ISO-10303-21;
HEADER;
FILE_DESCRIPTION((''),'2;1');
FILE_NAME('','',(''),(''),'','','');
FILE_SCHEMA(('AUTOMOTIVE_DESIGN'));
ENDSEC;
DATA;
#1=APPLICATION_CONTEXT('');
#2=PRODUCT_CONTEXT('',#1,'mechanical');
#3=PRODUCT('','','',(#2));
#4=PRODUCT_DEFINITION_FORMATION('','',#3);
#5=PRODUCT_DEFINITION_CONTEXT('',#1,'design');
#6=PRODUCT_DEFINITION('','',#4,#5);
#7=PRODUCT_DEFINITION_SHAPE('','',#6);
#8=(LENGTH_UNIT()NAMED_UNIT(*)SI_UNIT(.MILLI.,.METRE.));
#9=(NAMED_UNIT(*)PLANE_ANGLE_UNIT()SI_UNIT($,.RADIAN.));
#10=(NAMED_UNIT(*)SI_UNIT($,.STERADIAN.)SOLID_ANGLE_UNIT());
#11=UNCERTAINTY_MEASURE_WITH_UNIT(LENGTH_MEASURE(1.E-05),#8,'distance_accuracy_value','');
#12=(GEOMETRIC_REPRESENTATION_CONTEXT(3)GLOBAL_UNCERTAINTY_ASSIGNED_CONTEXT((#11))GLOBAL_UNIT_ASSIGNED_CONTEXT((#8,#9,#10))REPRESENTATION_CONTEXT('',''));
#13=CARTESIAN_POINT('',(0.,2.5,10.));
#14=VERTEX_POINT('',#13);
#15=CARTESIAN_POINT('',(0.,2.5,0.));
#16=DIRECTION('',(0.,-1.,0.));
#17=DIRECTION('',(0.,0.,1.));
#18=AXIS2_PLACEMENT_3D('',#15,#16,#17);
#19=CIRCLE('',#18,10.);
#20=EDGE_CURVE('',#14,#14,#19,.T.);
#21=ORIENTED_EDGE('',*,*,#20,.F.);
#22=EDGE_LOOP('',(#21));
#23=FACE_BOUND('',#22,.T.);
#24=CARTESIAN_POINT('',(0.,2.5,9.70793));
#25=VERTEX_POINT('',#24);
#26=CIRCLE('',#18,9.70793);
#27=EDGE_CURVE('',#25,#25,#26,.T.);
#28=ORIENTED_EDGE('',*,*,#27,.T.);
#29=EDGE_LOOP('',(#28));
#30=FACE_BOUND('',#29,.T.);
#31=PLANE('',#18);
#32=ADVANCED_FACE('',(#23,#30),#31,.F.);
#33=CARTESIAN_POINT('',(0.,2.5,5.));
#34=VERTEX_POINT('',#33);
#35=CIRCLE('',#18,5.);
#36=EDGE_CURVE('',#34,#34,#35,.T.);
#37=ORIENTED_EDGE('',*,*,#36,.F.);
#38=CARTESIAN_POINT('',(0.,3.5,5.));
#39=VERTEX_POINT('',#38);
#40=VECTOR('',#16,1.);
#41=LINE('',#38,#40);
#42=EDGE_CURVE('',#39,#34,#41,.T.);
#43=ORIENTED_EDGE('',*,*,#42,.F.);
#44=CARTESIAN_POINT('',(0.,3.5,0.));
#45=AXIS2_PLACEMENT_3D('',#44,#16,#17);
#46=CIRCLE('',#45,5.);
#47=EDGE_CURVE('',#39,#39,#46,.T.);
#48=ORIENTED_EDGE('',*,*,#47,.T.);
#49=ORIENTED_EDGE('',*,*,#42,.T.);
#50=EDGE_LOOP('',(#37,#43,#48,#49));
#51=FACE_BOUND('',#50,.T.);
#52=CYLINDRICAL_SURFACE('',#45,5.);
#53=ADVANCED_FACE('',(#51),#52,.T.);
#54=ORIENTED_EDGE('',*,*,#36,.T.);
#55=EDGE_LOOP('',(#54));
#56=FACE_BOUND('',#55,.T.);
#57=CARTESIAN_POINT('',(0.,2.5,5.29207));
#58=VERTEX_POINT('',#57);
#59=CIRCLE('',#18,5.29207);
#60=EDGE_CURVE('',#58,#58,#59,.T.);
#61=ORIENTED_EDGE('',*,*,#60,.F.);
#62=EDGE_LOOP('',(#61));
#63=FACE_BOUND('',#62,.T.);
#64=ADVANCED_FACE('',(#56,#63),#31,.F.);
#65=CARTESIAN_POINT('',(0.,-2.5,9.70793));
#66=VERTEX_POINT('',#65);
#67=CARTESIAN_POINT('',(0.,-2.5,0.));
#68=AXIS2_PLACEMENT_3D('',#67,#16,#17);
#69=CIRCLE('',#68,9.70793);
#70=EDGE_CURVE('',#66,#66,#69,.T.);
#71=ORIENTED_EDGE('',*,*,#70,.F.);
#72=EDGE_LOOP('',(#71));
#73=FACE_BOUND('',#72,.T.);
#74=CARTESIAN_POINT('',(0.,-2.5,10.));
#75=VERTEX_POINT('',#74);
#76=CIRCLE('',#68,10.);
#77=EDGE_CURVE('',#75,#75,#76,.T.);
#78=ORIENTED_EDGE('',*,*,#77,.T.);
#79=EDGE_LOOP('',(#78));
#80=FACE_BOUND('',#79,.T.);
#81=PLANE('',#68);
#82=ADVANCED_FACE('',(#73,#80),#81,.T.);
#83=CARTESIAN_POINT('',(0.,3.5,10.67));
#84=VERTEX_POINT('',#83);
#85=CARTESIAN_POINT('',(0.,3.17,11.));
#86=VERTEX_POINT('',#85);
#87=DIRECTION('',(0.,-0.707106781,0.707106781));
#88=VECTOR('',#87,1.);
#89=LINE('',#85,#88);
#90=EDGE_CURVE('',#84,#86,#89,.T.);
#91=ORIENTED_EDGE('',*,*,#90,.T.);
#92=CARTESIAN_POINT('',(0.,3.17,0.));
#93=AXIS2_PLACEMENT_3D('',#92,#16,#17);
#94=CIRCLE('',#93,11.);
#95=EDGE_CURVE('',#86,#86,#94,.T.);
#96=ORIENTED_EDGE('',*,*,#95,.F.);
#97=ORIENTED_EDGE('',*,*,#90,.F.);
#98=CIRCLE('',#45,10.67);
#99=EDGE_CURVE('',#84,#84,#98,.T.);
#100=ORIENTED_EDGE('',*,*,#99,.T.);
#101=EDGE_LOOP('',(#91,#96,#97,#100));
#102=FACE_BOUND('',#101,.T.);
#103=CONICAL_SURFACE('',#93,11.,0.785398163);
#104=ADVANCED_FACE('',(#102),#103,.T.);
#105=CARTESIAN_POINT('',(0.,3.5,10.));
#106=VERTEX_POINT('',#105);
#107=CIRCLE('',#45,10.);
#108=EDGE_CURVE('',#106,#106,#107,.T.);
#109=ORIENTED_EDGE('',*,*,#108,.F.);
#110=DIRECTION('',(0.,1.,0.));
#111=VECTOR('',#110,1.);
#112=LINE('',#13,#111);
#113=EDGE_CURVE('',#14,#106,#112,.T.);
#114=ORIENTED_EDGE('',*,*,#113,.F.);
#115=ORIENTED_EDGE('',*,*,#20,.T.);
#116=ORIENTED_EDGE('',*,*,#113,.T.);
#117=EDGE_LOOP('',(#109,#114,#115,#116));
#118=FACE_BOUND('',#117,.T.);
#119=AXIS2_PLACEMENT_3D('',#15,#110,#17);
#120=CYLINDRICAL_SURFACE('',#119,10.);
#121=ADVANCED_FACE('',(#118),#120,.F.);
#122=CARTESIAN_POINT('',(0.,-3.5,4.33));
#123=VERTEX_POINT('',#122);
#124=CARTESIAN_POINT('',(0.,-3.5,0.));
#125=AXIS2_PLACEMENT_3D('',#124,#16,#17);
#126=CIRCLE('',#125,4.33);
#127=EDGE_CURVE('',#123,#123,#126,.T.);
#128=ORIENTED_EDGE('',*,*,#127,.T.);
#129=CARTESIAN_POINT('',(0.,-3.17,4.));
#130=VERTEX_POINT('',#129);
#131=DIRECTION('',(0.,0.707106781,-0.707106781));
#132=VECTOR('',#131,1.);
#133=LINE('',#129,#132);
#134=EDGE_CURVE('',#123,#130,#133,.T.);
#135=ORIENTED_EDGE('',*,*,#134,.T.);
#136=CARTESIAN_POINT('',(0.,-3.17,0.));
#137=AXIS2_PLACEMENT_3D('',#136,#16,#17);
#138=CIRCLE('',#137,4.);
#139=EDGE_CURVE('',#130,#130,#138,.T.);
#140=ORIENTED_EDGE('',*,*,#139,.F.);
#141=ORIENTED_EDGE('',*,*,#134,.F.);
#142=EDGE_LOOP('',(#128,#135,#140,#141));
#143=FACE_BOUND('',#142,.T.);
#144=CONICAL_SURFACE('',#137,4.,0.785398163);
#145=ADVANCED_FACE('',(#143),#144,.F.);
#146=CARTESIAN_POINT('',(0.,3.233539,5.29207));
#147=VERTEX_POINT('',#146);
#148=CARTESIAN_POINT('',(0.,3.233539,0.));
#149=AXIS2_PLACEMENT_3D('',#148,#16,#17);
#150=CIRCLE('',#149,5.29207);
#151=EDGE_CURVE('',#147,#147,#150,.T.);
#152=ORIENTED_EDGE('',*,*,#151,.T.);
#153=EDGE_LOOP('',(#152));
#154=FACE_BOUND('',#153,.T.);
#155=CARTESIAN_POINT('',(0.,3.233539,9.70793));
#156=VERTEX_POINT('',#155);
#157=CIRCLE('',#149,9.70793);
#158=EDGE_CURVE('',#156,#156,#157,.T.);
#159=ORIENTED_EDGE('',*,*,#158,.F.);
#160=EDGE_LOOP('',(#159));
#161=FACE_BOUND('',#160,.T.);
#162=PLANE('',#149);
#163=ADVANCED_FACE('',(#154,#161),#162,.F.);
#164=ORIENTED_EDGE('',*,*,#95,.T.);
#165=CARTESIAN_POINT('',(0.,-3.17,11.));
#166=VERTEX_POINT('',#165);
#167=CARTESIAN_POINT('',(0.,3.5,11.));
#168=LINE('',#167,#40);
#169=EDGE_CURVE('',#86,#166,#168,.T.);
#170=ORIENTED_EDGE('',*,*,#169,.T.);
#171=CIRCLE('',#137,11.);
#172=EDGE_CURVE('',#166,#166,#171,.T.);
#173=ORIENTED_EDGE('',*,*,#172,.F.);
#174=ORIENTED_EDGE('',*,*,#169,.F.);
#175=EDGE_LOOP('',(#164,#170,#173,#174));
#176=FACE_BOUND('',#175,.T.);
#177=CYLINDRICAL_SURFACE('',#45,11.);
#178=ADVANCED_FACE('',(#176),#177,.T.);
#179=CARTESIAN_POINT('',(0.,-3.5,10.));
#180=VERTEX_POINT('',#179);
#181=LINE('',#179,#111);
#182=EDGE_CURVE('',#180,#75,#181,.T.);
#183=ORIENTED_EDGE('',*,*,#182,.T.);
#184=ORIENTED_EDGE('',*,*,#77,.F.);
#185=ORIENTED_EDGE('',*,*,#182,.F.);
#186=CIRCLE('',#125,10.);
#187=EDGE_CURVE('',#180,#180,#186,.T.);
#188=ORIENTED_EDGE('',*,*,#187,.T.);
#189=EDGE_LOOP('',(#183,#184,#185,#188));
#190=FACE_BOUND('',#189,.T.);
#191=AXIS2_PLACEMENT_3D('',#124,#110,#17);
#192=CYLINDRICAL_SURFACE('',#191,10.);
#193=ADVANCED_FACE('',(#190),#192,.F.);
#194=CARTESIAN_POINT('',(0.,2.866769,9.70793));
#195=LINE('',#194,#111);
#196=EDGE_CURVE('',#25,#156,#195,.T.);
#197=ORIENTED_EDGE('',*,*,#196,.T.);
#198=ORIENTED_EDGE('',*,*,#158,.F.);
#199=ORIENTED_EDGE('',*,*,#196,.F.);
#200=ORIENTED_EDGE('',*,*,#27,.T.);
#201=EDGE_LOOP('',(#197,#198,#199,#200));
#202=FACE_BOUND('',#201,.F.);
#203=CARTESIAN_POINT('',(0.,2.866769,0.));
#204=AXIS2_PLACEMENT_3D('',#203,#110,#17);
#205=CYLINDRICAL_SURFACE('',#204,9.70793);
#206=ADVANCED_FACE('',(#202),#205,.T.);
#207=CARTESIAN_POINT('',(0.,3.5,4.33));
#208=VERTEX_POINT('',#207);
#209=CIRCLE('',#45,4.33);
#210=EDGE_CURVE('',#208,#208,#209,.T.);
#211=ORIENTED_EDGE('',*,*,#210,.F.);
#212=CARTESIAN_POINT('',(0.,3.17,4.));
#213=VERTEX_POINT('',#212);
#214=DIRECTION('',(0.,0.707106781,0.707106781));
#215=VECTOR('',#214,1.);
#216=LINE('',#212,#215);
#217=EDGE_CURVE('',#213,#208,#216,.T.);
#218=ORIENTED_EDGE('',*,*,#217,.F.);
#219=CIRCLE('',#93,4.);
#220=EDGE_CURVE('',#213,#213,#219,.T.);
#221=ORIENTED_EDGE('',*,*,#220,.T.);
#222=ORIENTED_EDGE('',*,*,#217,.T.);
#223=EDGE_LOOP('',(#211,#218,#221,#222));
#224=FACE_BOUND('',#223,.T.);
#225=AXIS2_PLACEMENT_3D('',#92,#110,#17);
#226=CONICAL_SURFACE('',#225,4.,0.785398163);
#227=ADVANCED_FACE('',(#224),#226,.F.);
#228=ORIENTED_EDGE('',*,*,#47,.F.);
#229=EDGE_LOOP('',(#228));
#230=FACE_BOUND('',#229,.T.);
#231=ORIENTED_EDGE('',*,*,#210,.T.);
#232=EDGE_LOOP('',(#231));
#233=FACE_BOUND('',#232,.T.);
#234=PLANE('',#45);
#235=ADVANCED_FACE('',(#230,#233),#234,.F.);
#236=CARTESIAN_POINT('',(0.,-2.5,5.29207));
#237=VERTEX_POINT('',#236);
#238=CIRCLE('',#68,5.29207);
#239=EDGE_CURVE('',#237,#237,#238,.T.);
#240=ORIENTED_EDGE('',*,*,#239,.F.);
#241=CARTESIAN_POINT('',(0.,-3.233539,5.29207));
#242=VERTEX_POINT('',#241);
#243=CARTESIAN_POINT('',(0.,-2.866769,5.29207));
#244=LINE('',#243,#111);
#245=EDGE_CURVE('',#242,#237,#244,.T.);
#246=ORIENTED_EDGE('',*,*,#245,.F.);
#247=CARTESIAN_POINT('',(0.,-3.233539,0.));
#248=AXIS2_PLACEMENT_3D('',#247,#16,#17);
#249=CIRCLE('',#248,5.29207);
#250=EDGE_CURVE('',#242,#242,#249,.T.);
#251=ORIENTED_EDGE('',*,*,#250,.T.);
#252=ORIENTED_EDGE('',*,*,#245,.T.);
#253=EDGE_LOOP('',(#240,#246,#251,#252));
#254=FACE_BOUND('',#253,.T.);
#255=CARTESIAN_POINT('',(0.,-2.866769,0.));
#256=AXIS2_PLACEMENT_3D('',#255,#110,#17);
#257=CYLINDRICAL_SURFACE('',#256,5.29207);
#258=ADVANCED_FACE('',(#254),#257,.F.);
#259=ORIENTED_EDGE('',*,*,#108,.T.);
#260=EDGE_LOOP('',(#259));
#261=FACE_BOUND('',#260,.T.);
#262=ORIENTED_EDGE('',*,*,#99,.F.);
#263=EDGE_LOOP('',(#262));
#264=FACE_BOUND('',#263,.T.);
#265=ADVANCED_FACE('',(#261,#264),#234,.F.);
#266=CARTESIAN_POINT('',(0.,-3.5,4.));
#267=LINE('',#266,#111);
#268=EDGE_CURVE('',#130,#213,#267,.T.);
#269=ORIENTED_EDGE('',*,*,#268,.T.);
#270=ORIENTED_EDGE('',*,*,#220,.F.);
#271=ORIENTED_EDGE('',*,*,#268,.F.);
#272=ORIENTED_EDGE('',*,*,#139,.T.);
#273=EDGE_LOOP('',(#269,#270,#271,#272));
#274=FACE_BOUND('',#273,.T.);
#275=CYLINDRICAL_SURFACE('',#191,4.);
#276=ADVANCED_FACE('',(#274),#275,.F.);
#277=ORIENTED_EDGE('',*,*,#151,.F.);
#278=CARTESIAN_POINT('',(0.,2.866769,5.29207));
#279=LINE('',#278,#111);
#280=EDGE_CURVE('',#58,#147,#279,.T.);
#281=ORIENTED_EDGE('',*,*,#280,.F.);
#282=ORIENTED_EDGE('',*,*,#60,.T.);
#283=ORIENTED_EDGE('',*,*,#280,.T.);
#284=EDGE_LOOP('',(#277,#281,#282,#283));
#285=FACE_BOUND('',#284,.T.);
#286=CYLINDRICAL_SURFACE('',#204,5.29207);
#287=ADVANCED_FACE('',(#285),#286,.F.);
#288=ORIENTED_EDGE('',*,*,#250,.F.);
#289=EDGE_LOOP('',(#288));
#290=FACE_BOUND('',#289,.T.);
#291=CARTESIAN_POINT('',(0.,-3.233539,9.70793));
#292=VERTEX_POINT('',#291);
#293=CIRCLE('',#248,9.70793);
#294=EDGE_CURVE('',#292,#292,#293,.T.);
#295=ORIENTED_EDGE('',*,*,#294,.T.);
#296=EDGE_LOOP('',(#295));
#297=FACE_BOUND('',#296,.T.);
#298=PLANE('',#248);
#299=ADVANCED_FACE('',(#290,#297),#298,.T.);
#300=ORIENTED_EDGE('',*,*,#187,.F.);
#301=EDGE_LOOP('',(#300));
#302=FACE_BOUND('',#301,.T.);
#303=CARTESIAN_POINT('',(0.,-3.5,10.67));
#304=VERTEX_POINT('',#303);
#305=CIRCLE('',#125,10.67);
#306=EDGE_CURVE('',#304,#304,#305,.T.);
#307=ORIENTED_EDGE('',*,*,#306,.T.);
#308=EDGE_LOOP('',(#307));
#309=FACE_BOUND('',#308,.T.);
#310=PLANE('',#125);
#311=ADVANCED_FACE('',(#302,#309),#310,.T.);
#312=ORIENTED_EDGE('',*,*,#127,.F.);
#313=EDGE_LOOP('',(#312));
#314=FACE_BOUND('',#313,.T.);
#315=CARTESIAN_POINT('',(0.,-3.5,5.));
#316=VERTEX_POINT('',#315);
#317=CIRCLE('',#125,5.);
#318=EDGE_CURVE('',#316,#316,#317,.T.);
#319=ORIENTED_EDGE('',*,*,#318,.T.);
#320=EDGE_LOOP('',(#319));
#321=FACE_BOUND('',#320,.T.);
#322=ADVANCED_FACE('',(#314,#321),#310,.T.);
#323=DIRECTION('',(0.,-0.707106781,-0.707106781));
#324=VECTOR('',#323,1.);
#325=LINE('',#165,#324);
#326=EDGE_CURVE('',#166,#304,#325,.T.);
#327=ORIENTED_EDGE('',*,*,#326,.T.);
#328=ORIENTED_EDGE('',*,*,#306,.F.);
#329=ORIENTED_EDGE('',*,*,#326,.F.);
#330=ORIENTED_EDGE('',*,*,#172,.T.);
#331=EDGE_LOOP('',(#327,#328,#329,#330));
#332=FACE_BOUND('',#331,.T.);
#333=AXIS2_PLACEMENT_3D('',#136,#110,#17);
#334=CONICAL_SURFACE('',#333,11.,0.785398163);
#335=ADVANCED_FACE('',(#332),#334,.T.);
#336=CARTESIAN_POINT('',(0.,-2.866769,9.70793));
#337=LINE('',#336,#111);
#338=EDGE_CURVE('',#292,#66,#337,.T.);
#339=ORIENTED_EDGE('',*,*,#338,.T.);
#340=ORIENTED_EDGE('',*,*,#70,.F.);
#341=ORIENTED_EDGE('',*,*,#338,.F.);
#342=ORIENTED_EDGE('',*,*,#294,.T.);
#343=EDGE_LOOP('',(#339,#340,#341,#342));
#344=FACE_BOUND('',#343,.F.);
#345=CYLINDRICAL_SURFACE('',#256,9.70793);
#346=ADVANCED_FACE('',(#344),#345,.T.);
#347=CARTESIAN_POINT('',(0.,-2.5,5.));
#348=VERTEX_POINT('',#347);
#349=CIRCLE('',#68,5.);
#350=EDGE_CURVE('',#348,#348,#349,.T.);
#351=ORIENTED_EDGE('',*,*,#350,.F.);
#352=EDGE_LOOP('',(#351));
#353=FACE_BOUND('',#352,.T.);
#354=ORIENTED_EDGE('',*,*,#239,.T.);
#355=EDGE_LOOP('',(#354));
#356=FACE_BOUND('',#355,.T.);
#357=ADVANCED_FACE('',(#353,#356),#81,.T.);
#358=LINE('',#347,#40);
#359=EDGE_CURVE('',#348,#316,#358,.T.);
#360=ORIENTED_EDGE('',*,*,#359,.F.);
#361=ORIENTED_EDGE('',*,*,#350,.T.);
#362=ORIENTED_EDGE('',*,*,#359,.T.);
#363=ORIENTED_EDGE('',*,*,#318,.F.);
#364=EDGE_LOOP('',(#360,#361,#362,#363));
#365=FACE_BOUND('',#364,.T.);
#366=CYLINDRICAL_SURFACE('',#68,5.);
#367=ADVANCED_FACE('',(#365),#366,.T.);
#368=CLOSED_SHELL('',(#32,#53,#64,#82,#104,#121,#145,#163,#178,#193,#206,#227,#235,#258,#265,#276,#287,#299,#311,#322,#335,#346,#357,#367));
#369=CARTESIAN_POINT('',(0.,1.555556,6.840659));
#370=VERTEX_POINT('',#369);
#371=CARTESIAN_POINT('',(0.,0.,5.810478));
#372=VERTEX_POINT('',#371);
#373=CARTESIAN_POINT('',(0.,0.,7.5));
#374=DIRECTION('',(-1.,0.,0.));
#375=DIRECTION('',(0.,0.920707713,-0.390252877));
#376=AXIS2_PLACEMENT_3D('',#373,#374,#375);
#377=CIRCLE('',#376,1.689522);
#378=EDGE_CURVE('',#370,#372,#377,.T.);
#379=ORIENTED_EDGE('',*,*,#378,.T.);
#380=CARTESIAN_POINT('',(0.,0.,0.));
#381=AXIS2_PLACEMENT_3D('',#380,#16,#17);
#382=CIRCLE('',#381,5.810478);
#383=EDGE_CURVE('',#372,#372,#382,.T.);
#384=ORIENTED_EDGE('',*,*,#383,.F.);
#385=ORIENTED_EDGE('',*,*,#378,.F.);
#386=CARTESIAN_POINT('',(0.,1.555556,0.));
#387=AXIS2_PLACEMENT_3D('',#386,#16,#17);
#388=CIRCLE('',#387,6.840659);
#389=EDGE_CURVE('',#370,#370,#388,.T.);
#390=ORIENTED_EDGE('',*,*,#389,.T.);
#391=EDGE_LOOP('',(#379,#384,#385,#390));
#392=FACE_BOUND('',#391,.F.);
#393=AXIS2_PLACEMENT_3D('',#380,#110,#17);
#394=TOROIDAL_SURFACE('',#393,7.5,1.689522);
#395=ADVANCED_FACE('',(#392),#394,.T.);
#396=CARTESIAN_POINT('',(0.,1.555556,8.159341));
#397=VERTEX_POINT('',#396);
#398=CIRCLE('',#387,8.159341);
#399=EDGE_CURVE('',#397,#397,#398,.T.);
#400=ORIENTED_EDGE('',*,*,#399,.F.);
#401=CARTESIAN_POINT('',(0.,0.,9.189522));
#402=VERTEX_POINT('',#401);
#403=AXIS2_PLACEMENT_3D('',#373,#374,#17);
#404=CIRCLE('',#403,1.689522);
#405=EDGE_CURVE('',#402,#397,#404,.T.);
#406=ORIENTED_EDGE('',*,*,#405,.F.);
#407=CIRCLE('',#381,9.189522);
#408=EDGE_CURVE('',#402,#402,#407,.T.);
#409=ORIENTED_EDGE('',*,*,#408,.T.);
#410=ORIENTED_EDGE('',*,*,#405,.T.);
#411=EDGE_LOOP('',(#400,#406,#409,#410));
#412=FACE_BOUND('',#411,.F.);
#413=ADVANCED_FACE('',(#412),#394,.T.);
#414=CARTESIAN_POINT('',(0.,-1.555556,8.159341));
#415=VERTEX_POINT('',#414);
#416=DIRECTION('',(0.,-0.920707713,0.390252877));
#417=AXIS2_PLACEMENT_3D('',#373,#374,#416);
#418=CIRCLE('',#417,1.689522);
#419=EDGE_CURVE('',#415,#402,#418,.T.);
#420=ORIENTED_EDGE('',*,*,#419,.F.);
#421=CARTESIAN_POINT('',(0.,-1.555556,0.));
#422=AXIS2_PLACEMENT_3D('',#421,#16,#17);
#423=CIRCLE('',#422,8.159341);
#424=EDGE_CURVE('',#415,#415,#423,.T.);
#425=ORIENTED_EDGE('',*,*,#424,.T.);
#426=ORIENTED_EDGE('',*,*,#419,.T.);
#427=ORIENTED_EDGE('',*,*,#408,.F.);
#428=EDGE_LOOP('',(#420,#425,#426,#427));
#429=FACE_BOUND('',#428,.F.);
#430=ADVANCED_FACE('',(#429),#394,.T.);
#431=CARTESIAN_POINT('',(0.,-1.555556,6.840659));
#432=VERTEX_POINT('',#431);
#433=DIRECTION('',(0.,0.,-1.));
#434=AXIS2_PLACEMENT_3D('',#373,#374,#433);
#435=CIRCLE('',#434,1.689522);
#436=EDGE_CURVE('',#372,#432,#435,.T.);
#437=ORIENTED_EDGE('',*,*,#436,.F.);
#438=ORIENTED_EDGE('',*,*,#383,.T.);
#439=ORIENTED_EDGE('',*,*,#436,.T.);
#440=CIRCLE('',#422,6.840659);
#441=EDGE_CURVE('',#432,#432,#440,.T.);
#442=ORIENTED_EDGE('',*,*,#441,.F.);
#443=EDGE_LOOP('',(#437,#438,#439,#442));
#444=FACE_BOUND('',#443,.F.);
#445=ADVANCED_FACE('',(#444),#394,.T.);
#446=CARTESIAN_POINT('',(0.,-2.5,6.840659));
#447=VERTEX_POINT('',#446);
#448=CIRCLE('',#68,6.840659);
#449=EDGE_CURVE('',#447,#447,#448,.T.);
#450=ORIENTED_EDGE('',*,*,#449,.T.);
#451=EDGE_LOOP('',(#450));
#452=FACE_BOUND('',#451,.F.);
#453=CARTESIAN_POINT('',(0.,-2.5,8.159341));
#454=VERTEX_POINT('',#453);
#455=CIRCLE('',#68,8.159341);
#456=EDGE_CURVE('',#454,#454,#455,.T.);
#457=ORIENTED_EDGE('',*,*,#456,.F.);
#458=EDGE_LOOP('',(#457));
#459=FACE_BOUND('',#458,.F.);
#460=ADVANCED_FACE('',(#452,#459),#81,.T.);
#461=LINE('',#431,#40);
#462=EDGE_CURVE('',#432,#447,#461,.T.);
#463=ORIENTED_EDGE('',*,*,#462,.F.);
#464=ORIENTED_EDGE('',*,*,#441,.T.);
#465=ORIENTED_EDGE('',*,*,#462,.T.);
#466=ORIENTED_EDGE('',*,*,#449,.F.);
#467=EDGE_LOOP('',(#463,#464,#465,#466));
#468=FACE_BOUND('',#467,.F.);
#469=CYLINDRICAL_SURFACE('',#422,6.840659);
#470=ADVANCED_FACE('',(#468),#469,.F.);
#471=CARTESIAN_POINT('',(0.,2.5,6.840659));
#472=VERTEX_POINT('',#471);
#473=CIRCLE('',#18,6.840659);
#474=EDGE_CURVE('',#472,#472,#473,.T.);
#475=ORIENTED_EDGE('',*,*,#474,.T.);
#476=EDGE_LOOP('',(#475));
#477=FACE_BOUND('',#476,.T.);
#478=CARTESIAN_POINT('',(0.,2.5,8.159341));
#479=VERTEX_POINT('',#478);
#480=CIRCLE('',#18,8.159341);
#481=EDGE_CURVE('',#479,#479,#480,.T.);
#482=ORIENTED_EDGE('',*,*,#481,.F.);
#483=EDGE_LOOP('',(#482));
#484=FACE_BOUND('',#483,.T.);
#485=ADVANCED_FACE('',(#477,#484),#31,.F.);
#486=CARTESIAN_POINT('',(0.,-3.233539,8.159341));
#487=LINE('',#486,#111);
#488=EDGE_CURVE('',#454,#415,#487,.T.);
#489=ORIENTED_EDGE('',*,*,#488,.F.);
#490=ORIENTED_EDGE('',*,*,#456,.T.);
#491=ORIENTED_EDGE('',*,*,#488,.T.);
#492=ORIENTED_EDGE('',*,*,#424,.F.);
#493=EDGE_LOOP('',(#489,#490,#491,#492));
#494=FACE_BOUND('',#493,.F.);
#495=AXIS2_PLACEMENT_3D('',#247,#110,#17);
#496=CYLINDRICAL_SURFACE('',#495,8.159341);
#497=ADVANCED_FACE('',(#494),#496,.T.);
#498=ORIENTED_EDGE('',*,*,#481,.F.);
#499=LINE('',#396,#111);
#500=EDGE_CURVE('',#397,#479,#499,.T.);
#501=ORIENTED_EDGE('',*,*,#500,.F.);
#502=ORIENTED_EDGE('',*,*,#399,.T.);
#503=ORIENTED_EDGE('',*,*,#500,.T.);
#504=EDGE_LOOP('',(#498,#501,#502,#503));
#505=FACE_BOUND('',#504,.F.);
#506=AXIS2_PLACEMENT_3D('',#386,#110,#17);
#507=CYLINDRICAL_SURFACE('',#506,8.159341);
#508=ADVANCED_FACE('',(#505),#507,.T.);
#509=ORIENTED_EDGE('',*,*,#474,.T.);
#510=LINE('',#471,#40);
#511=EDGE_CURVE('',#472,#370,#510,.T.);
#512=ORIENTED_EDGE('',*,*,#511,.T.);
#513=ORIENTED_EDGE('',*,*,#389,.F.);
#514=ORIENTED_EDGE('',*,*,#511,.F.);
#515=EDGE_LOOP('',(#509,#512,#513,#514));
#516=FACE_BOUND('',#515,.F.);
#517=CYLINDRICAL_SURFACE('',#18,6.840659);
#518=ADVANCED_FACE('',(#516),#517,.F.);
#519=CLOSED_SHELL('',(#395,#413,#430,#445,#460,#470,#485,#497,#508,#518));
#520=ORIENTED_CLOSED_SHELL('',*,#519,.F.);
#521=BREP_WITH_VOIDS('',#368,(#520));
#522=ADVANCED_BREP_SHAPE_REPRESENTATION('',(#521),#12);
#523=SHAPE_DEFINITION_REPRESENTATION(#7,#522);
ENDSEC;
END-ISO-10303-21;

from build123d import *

# Parameters (mm, degrees)
F1_W    = 0.7335389405
F1_H    = 1.5485889072
F1_H_2  = 1.3186813187
F3_SIZE = 0.33


with BuildPart() as f2:
    # F1 (on Right) → F2 (revolve)
    with BuildSketch(Plane.YZ):
        with BuildLine():
            Line((3.5, 10), (3.5, 11))
            Line((3.5, 11), (0, 11))
            Line((0, 11), (0, 9.1895215866))
            ThreePointArc((0, 9.1895215866), (0.9328753707, 8.9086258319), (1.5555555556, 8.1593406593))
            Line((1.5555555556, 8.1593406593), (2.5, 8.1593406593))
            Line((2.5, 8.1593406593), (2.5, 9.7079295665))
            Line((2.5, 9.7079295665), (2.5, 10))
            Line((2.5, 10), (3.2335389405, 10))
            Line((3.2335389405, 10), (3.5, 10))
        make_face()
        with BuildLine():
            Line((2.5, 5.2920704335), (2.5, 6.8406593407))
            Line((2.5, 6.8406593407), (1.5555555556, 6.8406593407))
            ThreePointArc((1.5555555556, 6.8406593407), (0.9328753707, 6.0913741681), (0, 5.8104784134))
            Line((0, 5.8104784134), (0, 4))
            Line((0, 4), (3.5, 4))
            Line((3.5, 4), (3.5, 5))
            Line((3.5, 5), (3.2335389405, 5))
            Line((3.2335389405, 5), (2.5, 5))
            Line((2.5, 5), (2.5, 5.2920704335))
        make_face()
        with BuildLine():
            Line((-1.5555555556, 6.8406593407), (-2.5, 6.8406593407))
            Line((-2.5, 6.8406593407), (-2.5, 5.2920704335))
            Line((-2.5, 5.2920704335), (-2.5, 5))
            Line((-2.5, 5), (-3.2335389405, 5))
            Line((-3.2335389405, 5), (-3.5, 5))
            Line((-3.5, 5), (-3.5, 4))
            Line((-3.5, 4), (0, 4))
            Line((0, 4), (0, 5.8104784134))
            ThreePointArc((0, 5.8104784134), (-0.9328753707, 6.0913741681), (-1.5555555556, 6.8406593407))
        make_face()
        with BuildLine():
            Line((0, 9.1895215866), (0, 11))
            Line((0, 11), (-3.5, 11))
            Line((-3.5, 11), (-3.5, 10))
            Line((-3.5, 10), (-3.2335389405, 10))
            Line((-3.2335389405, 10), (-2.5, 10))
            Line((-2.5, 10), (-2.5, 9.7079295665))
            Line((-2.5, 9.7079295665), (-2.5, 8.1593406593))
            Line((-2.5, 8.1593406593), (-1.5555555556, 8.1593406593))
            ThreePointArc((-1.5555555556, 8.1593406593), (-0.9328753707, 8.9086258319), (0, 9.1895215866))
        make_face()
        with Locations((2.8667694703, 8.9336351129)):
            Rectangle(F1_W, F1_H)
        with Locations((2.8667694703, 7.5)):
            Rectangle(F1_W, F1_H_2)
        with Locations((2.8667694703, 6.0663648871)):
            Rectangle(F1_W, F1_H)
        with Locations((-2.8667694703, 8.9336351129)):
            Rectangle(F1_W, F1_H)
        with Locations((-2.8667694703, 6.0663648871)):
            Rectangle(F1_W, F1_H)
        with Locations((-2.8667694703, 7.5)):
            Rectangle(F1_W, F1_H_2)
    revolve(axis=Axis((0, 0, 0), (0, -1, 0)))

    # F3
    f3_edges = [f2.edges().sort_by_distance(p)[0] for p in [
        (0, -3.5, -4),
        (0, 3.5, -4),
        (0, 0, 4),
        (0, 3.5, -11),
        (0, -3.5, -11),
        (0, 0, 11),
    ]]
    chamfer(f3_edges, length=F3_SIZE)


with BuildPart() as f2_1:
    # F4: moved
    add(f2.part)


solid = f2_1.part
